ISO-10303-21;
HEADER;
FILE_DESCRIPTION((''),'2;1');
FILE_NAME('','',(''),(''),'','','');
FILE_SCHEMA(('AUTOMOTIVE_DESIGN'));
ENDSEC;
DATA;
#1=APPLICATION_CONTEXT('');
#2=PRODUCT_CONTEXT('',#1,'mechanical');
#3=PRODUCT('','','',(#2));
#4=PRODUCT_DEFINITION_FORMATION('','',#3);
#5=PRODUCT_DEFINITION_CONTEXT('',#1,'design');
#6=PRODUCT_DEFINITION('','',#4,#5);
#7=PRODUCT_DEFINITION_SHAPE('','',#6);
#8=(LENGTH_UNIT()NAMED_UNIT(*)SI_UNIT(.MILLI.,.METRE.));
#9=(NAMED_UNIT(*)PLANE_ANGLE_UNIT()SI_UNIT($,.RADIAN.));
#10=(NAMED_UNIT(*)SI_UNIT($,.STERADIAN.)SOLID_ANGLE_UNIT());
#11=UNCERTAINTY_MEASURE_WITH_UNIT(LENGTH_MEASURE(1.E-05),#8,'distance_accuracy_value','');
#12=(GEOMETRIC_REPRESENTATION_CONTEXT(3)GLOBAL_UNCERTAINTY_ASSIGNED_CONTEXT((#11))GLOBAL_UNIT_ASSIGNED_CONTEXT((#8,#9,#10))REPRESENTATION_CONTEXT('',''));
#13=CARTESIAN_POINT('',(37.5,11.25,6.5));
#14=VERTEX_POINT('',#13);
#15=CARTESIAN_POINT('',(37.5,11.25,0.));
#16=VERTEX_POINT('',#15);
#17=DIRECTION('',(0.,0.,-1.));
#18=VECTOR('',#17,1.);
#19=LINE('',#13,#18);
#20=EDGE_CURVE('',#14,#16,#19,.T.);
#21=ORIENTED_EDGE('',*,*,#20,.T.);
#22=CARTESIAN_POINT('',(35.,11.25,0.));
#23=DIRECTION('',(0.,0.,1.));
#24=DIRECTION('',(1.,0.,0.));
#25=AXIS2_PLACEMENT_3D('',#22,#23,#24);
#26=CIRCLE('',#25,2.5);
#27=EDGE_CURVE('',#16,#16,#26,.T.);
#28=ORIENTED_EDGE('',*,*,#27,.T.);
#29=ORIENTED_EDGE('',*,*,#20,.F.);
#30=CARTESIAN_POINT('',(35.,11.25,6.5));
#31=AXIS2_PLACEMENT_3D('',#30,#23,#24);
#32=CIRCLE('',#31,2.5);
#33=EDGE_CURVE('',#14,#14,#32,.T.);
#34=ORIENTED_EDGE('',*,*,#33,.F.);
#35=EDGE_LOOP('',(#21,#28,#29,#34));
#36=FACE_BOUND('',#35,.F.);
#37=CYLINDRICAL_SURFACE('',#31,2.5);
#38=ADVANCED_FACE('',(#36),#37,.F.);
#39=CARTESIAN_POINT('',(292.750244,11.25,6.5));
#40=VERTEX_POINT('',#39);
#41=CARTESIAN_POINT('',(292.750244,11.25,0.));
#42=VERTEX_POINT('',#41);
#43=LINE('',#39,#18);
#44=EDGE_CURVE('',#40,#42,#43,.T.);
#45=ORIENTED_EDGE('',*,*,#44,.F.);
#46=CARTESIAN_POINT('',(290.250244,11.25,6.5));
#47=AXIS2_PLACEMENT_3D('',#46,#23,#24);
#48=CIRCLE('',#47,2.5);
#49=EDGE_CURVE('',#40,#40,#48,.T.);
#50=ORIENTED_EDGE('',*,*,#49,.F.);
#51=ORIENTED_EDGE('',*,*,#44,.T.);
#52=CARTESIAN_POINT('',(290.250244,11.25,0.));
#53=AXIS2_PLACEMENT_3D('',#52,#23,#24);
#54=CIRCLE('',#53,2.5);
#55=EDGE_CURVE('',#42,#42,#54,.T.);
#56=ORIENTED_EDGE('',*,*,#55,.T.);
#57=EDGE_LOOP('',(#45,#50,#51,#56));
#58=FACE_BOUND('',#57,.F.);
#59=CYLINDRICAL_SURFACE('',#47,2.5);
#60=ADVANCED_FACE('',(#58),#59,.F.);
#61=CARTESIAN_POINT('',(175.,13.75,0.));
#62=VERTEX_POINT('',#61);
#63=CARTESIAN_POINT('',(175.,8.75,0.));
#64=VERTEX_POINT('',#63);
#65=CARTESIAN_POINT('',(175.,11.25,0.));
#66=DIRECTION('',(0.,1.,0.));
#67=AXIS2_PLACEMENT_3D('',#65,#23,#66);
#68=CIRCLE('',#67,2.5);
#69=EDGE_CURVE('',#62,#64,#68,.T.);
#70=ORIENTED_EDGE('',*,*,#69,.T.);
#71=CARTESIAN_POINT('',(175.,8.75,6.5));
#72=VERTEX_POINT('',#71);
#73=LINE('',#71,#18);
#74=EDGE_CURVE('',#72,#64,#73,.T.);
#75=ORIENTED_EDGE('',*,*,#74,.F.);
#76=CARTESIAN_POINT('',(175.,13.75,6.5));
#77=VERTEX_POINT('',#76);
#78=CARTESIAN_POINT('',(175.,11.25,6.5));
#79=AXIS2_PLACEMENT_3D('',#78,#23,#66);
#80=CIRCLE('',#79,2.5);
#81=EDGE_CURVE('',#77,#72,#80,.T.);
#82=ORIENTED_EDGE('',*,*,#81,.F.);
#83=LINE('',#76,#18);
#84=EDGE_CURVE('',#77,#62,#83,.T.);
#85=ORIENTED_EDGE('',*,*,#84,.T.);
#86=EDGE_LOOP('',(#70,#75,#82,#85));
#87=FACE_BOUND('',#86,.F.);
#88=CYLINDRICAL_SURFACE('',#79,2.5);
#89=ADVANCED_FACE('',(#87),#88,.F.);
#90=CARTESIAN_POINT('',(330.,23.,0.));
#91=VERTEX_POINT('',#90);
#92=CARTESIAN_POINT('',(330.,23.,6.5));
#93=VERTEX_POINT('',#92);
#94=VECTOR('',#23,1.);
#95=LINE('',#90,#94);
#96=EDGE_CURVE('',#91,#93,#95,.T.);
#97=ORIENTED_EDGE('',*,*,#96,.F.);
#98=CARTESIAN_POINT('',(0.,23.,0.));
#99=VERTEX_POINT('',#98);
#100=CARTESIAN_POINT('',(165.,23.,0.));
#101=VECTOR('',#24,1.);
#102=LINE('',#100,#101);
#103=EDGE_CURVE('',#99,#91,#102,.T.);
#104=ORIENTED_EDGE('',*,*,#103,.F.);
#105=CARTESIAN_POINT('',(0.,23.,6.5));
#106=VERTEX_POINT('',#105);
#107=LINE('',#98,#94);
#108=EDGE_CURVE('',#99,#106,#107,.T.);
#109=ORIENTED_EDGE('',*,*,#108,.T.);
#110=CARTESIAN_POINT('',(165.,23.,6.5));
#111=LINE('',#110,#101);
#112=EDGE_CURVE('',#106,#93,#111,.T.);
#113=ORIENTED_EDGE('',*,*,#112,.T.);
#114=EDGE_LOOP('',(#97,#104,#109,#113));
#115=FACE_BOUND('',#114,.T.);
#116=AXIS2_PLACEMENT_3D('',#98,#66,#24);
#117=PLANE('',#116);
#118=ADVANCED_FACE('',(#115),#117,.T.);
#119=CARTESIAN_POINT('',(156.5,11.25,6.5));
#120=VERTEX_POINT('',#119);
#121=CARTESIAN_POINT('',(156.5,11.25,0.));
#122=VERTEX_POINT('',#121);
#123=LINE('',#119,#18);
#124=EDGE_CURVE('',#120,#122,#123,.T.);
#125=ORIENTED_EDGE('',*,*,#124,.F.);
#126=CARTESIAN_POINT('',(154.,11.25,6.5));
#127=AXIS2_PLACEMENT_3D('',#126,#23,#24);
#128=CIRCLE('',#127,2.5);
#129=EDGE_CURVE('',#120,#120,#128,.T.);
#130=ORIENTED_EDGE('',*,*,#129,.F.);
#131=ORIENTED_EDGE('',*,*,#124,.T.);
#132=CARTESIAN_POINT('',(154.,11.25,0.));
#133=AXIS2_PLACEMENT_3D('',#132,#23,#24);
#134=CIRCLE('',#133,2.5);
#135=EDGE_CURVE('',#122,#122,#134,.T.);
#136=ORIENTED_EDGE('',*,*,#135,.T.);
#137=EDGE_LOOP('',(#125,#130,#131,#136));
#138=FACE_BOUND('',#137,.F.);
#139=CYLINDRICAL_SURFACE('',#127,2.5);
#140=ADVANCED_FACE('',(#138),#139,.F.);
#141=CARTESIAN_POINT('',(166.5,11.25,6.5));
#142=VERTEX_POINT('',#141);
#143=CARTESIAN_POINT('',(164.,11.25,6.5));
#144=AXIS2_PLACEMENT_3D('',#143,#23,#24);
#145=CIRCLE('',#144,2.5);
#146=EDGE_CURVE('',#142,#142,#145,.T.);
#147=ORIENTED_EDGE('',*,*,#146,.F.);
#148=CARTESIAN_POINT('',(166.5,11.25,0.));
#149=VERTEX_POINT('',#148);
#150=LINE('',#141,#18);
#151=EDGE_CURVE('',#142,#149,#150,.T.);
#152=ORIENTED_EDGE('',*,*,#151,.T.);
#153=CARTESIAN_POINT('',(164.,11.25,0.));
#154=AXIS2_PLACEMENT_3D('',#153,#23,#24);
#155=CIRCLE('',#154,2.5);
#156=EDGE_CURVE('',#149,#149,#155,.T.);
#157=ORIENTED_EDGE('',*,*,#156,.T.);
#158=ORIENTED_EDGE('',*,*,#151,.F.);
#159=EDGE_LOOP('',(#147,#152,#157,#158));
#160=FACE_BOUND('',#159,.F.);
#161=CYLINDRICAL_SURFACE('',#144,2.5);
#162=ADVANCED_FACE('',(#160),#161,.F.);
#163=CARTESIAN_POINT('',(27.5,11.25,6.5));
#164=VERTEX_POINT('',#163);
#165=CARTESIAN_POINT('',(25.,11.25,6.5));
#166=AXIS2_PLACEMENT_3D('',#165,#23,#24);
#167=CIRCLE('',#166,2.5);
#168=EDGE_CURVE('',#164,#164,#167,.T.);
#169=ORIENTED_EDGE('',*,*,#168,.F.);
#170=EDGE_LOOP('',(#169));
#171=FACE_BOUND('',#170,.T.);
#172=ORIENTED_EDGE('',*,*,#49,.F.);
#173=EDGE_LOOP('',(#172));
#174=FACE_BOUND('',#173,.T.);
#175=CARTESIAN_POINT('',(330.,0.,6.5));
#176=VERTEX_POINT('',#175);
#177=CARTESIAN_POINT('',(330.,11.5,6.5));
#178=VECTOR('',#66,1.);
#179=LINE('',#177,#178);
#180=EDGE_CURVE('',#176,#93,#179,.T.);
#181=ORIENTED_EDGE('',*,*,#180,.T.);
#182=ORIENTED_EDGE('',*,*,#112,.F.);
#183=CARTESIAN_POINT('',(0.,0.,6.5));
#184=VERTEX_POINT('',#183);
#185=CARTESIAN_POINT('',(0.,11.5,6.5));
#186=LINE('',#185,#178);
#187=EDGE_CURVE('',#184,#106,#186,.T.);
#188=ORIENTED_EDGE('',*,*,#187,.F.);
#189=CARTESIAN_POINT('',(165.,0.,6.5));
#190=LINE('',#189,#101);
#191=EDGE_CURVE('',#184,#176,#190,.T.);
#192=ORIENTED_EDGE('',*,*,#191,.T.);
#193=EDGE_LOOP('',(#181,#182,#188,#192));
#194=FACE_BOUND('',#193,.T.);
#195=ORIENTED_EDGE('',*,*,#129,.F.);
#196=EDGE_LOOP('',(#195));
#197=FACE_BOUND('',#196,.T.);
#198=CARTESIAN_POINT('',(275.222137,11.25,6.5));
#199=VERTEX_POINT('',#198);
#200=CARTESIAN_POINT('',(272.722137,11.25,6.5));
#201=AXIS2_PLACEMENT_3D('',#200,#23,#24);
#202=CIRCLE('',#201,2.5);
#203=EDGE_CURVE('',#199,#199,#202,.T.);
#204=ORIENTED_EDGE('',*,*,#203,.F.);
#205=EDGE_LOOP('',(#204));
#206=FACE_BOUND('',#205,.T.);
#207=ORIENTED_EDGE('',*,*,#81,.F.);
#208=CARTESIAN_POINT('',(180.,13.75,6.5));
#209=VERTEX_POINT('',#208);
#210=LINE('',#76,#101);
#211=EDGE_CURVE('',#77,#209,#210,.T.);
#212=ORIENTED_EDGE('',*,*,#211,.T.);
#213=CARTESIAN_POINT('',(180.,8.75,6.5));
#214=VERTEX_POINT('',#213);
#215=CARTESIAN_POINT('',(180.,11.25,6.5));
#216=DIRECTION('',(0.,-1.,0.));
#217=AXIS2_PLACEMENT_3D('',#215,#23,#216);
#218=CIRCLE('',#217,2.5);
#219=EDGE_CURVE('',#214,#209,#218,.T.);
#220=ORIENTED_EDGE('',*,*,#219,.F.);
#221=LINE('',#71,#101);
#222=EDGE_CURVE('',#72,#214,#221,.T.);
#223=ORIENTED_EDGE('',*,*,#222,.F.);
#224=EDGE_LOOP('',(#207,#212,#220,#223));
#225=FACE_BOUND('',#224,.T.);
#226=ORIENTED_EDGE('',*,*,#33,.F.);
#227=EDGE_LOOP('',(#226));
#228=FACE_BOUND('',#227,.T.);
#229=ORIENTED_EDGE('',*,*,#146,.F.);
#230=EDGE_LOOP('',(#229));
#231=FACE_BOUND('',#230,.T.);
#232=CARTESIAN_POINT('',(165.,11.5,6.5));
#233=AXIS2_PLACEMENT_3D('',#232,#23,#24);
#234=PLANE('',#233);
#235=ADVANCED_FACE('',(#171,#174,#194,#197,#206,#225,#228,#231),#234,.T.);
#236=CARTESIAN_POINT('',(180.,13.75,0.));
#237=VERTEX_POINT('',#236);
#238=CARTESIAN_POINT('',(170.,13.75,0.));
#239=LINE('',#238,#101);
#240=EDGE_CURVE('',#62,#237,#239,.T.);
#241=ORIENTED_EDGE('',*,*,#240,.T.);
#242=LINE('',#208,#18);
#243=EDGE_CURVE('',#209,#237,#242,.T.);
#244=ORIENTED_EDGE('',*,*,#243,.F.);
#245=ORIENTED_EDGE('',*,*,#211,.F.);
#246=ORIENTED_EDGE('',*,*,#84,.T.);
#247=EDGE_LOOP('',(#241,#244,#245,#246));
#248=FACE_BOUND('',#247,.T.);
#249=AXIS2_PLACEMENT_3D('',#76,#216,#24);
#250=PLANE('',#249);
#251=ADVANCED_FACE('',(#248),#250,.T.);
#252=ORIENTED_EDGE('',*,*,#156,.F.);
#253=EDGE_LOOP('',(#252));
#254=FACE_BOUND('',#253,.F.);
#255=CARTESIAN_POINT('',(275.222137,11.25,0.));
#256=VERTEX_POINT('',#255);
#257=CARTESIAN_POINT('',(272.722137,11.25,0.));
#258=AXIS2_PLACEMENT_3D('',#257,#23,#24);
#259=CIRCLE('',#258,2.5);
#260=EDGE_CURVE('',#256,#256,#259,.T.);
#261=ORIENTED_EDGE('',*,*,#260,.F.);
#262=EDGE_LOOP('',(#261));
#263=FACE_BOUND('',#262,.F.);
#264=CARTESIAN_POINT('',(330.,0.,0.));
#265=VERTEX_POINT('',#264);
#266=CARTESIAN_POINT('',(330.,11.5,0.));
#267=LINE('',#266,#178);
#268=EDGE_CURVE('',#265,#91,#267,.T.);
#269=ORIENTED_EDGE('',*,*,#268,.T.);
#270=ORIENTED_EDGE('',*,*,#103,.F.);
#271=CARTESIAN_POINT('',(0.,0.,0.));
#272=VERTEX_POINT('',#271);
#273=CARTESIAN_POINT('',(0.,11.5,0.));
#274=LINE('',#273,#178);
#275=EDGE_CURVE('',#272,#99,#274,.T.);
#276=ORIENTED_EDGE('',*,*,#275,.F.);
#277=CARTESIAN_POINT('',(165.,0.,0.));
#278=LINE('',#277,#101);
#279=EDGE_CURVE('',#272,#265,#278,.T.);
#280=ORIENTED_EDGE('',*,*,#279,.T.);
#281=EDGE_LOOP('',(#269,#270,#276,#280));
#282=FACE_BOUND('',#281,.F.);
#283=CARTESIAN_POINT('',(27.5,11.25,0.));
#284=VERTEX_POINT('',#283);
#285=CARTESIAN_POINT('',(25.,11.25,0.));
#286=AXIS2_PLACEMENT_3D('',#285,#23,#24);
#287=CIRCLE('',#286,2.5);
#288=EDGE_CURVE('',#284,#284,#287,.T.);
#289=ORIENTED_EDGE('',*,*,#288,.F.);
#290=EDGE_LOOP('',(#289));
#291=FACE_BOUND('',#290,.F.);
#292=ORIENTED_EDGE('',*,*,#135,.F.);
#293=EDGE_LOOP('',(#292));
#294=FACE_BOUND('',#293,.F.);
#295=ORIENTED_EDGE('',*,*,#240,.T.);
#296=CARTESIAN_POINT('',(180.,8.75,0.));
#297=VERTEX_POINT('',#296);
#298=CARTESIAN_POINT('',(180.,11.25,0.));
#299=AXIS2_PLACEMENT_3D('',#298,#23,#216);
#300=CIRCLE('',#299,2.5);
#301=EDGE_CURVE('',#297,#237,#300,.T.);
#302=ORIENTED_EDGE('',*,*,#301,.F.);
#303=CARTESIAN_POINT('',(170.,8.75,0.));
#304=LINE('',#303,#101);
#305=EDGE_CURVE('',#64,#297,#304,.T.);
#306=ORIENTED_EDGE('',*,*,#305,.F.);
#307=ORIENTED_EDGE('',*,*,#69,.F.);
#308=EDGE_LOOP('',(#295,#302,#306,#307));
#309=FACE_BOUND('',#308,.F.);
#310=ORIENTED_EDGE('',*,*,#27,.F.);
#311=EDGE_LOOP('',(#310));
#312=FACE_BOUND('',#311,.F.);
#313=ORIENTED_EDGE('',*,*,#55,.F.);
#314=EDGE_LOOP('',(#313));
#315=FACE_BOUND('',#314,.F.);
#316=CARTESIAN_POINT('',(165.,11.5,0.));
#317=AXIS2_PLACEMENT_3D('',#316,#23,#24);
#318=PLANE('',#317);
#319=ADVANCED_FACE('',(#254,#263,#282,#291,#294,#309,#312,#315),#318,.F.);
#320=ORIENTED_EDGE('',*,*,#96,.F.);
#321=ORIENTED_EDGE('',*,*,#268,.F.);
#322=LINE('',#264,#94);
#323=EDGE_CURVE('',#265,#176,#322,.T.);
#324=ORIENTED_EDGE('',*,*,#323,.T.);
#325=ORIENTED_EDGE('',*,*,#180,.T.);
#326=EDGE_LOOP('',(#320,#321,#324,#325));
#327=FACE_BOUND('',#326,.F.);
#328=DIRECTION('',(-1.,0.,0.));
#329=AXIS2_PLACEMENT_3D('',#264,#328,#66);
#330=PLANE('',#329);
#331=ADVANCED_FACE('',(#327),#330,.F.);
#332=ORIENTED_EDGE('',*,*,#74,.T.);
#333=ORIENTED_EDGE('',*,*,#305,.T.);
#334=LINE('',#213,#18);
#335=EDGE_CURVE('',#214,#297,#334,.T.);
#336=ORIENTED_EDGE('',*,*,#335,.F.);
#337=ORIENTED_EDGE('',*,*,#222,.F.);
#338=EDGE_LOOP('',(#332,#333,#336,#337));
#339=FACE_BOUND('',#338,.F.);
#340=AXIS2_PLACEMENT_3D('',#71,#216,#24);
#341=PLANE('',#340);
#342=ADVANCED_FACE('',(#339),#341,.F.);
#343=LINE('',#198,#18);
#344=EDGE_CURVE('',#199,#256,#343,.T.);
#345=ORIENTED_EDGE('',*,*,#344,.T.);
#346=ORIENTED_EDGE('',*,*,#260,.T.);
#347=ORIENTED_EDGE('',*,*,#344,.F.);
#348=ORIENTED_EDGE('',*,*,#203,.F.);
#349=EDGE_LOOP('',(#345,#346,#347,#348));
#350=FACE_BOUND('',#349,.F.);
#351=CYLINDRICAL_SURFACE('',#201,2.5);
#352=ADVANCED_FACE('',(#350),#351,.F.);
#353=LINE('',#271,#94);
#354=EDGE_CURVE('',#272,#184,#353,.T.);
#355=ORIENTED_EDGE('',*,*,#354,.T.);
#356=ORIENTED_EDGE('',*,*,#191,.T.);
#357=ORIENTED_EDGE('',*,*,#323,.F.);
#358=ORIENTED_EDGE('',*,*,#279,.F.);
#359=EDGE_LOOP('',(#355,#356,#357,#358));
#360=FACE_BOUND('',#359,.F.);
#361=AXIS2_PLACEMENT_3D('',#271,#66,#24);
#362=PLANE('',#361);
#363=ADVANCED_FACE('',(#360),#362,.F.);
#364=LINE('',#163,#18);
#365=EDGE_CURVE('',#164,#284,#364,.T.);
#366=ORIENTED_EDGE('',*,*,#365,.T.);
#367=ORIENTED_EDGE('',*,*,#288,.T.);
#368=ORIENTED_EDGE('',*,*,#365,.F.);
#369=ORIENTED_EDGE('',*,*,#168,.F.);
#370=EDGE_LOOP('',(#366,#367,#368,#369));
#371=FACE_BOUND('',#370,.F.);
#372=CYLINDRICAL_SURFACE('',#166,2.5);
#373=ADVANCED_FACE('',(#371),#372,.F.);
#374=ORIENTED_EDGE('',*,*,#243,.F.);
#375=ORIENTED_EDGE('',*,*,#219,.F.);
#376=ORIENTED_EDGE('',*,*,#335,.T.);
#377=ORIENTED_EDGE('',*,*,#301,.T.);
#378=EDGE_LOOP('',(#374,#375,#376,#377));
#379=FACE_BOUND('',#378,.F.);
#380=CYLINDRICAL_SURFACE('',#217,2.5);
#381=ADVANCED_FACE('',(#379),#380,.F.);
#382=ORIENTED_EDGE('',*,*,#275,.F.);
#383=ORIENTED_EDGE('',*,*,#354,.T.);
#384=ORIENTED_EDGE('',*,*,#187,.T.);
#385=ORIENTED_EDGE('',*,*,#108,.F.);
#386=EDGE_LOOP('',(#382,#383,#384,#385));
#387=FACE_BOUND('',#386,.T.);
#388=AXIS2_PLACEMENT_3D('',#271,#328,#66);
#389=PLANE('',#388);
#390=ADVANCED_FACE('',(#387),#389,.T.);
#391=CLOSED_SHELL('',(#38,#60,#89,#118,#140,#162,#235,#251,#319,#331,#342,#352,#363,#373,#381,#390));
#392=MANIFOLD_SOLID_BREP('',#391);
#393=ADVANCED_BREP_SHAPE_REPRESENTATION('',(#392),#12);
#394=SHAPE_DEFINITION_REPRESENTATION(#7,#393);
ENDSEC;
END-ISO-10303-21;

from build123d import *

# Parameters (mm, degrees)
SKETCH_W     = 330
SKETCH_H     = 23
PAD_DEPTH    = 6.5
SKETCH001_R  = 2.5
POCKET_DEPTH = 6.501


with BuildPart() as part:
    # Sketch → Pad (new body)
    with BuildSketch(Plane.XY):
        with Locations((165, 11.5)):
            Rectangle(SKETCH_W, SKETCH_H)
    extrude(amount=PAD_DEPTH)

    # Sketch001 (on Face6 of Pad) → Pocket (cut, through all)
    with BuildSketch(Plane.XY.offset(6.5)):
        with Locations((25, 11.25)):
            Circle(SKETCH001_R)
        with Locations((35, 11.25)):
            Circle(SKETCH001_R)
        with Locations((154, 11.25)):
            Circle(SKETCH001_R)
        with Locations((164, 11.25)):
            Circle(SKETCH001_R)
        with Locations((272.722137, 11.25)):
            Circle(SKETCH001_R)
        with Locations((290.250244, 11.25)):
            Circle(SKETCH001_R)
        with BuildLine():
            ThreePointArc((175, 13.75), (172.5, 11.25), (175, 8.75))
            Line((175, 8.75), (180, 8.75))
            ThreePointArc((180, 8.75), (182.5, 11.25), (180, 13.75))
            Line((175, 13.75), (180, 13.75))
        make_face()
    extrude(amount=-POCKET_DEPTH, mode=Mode.SUBTRACT)


solid = part.part
